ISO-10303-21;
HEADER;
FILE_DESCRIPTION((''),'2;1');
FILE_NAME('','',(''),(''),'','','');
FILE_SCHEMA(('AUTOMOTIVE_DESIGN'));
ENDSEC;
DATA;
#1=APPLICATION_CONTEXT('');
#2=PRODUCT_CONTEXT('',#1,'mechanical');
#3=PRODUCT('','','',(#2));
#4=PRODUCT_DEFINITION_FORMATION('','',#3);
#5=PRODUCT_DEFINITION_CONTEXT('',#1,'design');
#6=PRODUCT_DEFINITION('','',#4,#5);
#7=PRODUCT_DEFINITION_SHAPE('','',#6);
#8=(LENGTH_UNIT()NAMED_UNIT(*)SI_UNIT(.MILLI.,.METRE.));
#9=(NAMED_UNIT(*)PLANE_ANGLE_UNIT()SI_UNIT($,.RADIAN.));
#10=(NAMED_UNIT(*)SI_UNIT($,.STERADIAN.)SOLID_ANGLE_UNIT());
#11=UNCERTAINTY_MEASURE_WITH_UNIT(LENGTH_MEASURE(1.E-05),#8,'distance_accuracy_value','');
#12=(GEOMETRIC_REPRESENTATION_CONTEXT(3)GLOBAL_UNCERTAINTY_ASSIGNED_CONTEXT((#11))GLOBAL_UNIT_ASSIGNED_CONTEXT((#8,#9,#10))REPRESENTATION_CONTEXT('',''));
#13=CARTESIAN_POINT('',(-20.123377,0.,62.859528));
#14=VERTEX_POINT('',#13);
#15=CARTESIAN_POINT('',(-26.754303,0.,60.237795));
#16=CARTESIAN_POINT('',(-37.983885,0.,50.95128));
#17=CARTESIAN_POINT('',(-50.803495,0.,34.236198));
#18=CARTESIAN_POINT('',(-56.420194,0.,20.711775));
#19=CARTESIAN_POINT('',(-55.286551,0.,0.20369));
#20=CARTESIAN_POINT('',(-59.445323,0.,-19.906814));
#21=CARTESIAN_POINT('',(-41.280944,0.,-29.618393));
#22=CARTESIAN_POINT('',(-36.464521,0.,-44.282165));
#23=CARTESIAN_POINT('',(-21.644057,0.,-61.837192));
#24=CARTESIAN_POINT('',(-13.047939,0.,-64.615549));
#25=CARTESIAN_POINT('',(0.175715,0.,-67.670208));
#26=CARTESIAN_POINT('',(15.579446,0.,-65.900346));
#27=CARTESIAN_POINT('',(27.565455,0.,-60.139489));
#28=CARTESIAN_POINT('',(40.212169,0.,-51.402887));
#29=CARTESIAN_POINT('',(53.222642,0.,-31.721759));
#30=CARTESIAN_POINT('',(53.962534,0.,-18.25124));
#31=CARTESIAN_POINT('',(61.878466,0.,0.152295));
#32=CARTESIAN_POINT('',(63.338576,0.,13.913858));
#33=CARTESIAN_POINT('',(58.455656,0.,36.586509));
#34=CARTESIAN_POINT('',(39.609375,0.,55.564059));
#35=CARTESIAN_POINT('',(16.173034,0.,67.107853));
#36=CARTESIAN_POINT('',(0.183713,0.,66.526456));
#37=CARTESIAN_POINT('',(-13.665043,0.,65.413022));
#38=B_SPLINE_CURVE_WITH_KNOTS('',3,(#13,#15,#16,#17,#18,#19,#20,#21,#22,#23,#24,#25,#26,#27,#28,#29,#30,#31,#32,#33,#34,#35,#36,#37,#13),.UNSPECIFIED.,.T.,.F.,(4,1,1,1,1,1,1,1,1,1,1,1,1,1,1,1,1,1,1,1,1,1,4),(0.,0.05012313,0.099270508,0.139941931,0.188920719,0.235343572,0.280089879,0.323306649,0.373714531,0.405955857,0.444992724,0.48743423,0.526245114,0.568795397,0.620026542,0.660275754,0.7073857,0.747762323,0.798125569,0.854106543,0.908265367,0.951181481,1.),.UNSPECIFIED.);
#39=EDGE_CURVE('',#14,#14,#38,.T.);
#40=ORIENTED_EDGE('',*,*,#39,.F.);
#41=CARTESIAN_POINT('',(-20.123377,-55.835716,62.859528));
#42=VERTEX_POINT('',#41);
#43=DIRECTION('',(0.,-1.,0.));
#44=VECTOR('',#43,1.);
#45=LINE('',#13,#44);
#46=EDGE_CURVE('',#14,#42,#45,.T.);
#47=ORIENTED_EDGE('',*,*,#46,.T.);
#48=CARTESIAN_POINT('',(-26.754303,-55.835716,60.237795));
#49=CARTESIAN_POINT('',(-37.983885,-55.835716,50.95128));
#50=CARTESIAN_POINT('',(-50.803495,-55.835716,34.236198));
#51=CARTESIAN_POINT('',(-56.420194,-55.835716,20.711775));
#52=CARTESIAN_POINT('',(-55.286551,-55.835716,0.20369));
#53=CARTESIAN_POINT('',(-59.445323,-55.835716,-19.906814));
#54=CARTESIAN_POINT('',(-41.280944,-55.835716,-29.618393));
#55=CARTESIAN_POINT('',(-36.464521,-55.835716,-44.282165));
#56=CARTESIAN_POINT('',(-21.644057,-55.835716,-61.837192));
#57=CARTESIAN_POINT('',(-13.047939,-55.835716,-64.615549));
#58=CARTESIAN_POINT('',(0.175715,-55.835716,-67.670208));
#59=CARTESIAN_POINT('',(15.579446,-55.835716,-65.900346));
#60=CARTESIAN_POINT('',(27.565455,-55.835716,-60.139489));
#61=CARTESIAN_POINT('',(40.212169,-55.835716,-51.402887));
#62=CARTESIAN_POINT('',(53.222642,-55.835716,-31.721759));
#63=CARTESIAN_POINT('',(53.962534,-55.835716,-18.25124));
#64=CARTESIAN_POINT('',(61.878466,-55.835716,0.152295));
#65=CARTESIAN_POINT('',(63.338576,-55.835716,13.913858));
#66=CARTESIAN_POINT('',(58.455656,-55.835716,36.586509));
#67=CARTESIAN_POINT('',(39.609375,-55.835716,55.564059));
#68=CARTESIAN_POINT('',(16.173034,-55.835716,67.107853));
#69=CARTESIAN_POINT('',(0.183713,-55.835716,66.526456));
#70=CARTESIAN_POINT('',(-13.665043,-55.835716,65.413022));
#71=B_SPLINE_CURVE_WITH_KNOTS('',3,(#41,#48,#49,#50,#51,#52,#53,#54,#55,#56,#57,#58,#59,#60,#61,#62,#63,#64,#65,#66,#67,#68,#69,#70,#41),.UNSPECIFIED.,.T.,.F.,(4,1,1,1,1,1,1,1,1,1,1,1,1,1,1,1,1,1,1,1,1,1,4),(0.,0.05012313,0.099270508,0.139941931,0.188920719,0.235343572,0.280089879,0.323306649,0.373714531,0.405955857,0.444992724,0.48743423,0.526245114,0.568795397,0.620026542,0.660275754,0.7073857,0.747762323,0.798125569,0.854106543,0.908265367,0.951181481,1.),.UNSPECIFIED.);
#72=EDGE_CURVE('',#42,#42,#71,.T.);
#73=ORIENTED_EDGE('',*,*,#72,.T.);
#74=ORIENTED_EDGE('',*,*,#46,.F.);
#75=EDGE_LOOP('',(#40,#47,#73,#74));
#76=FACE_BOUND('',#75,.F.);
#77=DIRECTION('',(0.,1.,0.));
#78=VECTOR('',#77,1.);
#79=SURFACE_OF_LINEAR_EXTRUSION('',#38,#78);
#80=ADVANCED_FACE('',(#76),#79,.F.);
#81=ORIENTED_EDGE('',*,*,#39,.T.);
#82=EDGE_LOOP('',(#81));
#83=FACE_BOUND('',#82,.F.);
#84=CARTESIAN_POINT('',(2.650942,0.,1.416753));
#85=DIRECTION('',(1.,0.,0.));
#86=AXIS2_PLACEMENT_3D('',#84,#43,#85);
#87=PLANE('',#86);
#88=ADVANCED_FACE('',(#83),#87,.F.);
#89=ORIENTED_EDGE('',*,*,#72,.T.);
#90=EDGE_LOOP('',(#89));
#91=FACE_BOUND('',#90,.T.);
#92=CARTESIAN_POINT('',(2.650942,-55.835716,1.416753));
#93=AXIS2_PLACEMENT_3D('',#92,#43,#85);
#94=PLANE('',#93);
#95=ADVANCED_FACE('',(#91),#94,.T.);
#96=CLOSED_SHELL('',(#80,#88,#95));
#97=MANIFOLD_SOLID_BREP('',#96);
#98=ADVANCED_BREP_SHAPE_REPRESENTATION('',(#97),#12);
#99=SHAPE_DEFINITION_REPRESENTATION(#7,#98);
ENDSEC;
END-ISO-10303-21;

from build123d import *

# Parameters (mm, degrees)
F1_DEPTH = 55.8357164264


with BuildPart() as f1:
    # F0 (on Front) → F1 (new body)
    with BuildSketch(Plane.XZ):
        with BuildLine():
            add(Edge.make_bspline(
                [(-20.1233774424, 62.8595277667), (-26.7543026032, 60.2377950813), (-37.9838847179, 50.9512798578), (-50.8034953694, 34.2361976098), (-56.4201936261, 20.7117750694), (-55.2865508497, 0.2036902146), (-59.4453229959, -19.9068136022), (-41.280944131, -29.6183927783), (-36.4645208026, -44.2821654386), (-21.64405707, -61.837191538), (-13.0479389591, -64.6155493545), (0.1757150285, -67.6702080097), (15.579445514, -65.9003459708), (27.5654554393, -60.1394894984), (40.212168765, -51.4028871924), (53.2226418777, -31.7217589753), (53.9625339992, -18.2512404142), (61.8784664792, 0.1522951128), (63.338576412, 13.9138578355), (58.4556564993, 36.5865091761), (39.6093747207, 55.564059062), (16.1730336293, 67.1078534836), (0.1837134408, 66.5264564018), (-13.6650427419, 65.4130217011), (-20.1233774424, 62.8595277667)],
                knots=[0, 0, 0, 0, 0.0501231298, 0.0992705079, 0.139941931, 0.1889207185, 0.2353435717, 0.2800898793, 0.3233066494, 0.3737145311, 0.4059558568, 0.4449927244, 0.4874342296, 0.5262451137, 0.5687953971, 0.6200265415, 0.6602757542, 0.7073856996, 0.7477623233, 0.7981255692, 0.8541065433, 0.9082653667, 0.9511814806, 1, 1, 1, 1], degree=3))
        make_face()
    extrude(amount=F1_DEPTH)


solid = f1.part
